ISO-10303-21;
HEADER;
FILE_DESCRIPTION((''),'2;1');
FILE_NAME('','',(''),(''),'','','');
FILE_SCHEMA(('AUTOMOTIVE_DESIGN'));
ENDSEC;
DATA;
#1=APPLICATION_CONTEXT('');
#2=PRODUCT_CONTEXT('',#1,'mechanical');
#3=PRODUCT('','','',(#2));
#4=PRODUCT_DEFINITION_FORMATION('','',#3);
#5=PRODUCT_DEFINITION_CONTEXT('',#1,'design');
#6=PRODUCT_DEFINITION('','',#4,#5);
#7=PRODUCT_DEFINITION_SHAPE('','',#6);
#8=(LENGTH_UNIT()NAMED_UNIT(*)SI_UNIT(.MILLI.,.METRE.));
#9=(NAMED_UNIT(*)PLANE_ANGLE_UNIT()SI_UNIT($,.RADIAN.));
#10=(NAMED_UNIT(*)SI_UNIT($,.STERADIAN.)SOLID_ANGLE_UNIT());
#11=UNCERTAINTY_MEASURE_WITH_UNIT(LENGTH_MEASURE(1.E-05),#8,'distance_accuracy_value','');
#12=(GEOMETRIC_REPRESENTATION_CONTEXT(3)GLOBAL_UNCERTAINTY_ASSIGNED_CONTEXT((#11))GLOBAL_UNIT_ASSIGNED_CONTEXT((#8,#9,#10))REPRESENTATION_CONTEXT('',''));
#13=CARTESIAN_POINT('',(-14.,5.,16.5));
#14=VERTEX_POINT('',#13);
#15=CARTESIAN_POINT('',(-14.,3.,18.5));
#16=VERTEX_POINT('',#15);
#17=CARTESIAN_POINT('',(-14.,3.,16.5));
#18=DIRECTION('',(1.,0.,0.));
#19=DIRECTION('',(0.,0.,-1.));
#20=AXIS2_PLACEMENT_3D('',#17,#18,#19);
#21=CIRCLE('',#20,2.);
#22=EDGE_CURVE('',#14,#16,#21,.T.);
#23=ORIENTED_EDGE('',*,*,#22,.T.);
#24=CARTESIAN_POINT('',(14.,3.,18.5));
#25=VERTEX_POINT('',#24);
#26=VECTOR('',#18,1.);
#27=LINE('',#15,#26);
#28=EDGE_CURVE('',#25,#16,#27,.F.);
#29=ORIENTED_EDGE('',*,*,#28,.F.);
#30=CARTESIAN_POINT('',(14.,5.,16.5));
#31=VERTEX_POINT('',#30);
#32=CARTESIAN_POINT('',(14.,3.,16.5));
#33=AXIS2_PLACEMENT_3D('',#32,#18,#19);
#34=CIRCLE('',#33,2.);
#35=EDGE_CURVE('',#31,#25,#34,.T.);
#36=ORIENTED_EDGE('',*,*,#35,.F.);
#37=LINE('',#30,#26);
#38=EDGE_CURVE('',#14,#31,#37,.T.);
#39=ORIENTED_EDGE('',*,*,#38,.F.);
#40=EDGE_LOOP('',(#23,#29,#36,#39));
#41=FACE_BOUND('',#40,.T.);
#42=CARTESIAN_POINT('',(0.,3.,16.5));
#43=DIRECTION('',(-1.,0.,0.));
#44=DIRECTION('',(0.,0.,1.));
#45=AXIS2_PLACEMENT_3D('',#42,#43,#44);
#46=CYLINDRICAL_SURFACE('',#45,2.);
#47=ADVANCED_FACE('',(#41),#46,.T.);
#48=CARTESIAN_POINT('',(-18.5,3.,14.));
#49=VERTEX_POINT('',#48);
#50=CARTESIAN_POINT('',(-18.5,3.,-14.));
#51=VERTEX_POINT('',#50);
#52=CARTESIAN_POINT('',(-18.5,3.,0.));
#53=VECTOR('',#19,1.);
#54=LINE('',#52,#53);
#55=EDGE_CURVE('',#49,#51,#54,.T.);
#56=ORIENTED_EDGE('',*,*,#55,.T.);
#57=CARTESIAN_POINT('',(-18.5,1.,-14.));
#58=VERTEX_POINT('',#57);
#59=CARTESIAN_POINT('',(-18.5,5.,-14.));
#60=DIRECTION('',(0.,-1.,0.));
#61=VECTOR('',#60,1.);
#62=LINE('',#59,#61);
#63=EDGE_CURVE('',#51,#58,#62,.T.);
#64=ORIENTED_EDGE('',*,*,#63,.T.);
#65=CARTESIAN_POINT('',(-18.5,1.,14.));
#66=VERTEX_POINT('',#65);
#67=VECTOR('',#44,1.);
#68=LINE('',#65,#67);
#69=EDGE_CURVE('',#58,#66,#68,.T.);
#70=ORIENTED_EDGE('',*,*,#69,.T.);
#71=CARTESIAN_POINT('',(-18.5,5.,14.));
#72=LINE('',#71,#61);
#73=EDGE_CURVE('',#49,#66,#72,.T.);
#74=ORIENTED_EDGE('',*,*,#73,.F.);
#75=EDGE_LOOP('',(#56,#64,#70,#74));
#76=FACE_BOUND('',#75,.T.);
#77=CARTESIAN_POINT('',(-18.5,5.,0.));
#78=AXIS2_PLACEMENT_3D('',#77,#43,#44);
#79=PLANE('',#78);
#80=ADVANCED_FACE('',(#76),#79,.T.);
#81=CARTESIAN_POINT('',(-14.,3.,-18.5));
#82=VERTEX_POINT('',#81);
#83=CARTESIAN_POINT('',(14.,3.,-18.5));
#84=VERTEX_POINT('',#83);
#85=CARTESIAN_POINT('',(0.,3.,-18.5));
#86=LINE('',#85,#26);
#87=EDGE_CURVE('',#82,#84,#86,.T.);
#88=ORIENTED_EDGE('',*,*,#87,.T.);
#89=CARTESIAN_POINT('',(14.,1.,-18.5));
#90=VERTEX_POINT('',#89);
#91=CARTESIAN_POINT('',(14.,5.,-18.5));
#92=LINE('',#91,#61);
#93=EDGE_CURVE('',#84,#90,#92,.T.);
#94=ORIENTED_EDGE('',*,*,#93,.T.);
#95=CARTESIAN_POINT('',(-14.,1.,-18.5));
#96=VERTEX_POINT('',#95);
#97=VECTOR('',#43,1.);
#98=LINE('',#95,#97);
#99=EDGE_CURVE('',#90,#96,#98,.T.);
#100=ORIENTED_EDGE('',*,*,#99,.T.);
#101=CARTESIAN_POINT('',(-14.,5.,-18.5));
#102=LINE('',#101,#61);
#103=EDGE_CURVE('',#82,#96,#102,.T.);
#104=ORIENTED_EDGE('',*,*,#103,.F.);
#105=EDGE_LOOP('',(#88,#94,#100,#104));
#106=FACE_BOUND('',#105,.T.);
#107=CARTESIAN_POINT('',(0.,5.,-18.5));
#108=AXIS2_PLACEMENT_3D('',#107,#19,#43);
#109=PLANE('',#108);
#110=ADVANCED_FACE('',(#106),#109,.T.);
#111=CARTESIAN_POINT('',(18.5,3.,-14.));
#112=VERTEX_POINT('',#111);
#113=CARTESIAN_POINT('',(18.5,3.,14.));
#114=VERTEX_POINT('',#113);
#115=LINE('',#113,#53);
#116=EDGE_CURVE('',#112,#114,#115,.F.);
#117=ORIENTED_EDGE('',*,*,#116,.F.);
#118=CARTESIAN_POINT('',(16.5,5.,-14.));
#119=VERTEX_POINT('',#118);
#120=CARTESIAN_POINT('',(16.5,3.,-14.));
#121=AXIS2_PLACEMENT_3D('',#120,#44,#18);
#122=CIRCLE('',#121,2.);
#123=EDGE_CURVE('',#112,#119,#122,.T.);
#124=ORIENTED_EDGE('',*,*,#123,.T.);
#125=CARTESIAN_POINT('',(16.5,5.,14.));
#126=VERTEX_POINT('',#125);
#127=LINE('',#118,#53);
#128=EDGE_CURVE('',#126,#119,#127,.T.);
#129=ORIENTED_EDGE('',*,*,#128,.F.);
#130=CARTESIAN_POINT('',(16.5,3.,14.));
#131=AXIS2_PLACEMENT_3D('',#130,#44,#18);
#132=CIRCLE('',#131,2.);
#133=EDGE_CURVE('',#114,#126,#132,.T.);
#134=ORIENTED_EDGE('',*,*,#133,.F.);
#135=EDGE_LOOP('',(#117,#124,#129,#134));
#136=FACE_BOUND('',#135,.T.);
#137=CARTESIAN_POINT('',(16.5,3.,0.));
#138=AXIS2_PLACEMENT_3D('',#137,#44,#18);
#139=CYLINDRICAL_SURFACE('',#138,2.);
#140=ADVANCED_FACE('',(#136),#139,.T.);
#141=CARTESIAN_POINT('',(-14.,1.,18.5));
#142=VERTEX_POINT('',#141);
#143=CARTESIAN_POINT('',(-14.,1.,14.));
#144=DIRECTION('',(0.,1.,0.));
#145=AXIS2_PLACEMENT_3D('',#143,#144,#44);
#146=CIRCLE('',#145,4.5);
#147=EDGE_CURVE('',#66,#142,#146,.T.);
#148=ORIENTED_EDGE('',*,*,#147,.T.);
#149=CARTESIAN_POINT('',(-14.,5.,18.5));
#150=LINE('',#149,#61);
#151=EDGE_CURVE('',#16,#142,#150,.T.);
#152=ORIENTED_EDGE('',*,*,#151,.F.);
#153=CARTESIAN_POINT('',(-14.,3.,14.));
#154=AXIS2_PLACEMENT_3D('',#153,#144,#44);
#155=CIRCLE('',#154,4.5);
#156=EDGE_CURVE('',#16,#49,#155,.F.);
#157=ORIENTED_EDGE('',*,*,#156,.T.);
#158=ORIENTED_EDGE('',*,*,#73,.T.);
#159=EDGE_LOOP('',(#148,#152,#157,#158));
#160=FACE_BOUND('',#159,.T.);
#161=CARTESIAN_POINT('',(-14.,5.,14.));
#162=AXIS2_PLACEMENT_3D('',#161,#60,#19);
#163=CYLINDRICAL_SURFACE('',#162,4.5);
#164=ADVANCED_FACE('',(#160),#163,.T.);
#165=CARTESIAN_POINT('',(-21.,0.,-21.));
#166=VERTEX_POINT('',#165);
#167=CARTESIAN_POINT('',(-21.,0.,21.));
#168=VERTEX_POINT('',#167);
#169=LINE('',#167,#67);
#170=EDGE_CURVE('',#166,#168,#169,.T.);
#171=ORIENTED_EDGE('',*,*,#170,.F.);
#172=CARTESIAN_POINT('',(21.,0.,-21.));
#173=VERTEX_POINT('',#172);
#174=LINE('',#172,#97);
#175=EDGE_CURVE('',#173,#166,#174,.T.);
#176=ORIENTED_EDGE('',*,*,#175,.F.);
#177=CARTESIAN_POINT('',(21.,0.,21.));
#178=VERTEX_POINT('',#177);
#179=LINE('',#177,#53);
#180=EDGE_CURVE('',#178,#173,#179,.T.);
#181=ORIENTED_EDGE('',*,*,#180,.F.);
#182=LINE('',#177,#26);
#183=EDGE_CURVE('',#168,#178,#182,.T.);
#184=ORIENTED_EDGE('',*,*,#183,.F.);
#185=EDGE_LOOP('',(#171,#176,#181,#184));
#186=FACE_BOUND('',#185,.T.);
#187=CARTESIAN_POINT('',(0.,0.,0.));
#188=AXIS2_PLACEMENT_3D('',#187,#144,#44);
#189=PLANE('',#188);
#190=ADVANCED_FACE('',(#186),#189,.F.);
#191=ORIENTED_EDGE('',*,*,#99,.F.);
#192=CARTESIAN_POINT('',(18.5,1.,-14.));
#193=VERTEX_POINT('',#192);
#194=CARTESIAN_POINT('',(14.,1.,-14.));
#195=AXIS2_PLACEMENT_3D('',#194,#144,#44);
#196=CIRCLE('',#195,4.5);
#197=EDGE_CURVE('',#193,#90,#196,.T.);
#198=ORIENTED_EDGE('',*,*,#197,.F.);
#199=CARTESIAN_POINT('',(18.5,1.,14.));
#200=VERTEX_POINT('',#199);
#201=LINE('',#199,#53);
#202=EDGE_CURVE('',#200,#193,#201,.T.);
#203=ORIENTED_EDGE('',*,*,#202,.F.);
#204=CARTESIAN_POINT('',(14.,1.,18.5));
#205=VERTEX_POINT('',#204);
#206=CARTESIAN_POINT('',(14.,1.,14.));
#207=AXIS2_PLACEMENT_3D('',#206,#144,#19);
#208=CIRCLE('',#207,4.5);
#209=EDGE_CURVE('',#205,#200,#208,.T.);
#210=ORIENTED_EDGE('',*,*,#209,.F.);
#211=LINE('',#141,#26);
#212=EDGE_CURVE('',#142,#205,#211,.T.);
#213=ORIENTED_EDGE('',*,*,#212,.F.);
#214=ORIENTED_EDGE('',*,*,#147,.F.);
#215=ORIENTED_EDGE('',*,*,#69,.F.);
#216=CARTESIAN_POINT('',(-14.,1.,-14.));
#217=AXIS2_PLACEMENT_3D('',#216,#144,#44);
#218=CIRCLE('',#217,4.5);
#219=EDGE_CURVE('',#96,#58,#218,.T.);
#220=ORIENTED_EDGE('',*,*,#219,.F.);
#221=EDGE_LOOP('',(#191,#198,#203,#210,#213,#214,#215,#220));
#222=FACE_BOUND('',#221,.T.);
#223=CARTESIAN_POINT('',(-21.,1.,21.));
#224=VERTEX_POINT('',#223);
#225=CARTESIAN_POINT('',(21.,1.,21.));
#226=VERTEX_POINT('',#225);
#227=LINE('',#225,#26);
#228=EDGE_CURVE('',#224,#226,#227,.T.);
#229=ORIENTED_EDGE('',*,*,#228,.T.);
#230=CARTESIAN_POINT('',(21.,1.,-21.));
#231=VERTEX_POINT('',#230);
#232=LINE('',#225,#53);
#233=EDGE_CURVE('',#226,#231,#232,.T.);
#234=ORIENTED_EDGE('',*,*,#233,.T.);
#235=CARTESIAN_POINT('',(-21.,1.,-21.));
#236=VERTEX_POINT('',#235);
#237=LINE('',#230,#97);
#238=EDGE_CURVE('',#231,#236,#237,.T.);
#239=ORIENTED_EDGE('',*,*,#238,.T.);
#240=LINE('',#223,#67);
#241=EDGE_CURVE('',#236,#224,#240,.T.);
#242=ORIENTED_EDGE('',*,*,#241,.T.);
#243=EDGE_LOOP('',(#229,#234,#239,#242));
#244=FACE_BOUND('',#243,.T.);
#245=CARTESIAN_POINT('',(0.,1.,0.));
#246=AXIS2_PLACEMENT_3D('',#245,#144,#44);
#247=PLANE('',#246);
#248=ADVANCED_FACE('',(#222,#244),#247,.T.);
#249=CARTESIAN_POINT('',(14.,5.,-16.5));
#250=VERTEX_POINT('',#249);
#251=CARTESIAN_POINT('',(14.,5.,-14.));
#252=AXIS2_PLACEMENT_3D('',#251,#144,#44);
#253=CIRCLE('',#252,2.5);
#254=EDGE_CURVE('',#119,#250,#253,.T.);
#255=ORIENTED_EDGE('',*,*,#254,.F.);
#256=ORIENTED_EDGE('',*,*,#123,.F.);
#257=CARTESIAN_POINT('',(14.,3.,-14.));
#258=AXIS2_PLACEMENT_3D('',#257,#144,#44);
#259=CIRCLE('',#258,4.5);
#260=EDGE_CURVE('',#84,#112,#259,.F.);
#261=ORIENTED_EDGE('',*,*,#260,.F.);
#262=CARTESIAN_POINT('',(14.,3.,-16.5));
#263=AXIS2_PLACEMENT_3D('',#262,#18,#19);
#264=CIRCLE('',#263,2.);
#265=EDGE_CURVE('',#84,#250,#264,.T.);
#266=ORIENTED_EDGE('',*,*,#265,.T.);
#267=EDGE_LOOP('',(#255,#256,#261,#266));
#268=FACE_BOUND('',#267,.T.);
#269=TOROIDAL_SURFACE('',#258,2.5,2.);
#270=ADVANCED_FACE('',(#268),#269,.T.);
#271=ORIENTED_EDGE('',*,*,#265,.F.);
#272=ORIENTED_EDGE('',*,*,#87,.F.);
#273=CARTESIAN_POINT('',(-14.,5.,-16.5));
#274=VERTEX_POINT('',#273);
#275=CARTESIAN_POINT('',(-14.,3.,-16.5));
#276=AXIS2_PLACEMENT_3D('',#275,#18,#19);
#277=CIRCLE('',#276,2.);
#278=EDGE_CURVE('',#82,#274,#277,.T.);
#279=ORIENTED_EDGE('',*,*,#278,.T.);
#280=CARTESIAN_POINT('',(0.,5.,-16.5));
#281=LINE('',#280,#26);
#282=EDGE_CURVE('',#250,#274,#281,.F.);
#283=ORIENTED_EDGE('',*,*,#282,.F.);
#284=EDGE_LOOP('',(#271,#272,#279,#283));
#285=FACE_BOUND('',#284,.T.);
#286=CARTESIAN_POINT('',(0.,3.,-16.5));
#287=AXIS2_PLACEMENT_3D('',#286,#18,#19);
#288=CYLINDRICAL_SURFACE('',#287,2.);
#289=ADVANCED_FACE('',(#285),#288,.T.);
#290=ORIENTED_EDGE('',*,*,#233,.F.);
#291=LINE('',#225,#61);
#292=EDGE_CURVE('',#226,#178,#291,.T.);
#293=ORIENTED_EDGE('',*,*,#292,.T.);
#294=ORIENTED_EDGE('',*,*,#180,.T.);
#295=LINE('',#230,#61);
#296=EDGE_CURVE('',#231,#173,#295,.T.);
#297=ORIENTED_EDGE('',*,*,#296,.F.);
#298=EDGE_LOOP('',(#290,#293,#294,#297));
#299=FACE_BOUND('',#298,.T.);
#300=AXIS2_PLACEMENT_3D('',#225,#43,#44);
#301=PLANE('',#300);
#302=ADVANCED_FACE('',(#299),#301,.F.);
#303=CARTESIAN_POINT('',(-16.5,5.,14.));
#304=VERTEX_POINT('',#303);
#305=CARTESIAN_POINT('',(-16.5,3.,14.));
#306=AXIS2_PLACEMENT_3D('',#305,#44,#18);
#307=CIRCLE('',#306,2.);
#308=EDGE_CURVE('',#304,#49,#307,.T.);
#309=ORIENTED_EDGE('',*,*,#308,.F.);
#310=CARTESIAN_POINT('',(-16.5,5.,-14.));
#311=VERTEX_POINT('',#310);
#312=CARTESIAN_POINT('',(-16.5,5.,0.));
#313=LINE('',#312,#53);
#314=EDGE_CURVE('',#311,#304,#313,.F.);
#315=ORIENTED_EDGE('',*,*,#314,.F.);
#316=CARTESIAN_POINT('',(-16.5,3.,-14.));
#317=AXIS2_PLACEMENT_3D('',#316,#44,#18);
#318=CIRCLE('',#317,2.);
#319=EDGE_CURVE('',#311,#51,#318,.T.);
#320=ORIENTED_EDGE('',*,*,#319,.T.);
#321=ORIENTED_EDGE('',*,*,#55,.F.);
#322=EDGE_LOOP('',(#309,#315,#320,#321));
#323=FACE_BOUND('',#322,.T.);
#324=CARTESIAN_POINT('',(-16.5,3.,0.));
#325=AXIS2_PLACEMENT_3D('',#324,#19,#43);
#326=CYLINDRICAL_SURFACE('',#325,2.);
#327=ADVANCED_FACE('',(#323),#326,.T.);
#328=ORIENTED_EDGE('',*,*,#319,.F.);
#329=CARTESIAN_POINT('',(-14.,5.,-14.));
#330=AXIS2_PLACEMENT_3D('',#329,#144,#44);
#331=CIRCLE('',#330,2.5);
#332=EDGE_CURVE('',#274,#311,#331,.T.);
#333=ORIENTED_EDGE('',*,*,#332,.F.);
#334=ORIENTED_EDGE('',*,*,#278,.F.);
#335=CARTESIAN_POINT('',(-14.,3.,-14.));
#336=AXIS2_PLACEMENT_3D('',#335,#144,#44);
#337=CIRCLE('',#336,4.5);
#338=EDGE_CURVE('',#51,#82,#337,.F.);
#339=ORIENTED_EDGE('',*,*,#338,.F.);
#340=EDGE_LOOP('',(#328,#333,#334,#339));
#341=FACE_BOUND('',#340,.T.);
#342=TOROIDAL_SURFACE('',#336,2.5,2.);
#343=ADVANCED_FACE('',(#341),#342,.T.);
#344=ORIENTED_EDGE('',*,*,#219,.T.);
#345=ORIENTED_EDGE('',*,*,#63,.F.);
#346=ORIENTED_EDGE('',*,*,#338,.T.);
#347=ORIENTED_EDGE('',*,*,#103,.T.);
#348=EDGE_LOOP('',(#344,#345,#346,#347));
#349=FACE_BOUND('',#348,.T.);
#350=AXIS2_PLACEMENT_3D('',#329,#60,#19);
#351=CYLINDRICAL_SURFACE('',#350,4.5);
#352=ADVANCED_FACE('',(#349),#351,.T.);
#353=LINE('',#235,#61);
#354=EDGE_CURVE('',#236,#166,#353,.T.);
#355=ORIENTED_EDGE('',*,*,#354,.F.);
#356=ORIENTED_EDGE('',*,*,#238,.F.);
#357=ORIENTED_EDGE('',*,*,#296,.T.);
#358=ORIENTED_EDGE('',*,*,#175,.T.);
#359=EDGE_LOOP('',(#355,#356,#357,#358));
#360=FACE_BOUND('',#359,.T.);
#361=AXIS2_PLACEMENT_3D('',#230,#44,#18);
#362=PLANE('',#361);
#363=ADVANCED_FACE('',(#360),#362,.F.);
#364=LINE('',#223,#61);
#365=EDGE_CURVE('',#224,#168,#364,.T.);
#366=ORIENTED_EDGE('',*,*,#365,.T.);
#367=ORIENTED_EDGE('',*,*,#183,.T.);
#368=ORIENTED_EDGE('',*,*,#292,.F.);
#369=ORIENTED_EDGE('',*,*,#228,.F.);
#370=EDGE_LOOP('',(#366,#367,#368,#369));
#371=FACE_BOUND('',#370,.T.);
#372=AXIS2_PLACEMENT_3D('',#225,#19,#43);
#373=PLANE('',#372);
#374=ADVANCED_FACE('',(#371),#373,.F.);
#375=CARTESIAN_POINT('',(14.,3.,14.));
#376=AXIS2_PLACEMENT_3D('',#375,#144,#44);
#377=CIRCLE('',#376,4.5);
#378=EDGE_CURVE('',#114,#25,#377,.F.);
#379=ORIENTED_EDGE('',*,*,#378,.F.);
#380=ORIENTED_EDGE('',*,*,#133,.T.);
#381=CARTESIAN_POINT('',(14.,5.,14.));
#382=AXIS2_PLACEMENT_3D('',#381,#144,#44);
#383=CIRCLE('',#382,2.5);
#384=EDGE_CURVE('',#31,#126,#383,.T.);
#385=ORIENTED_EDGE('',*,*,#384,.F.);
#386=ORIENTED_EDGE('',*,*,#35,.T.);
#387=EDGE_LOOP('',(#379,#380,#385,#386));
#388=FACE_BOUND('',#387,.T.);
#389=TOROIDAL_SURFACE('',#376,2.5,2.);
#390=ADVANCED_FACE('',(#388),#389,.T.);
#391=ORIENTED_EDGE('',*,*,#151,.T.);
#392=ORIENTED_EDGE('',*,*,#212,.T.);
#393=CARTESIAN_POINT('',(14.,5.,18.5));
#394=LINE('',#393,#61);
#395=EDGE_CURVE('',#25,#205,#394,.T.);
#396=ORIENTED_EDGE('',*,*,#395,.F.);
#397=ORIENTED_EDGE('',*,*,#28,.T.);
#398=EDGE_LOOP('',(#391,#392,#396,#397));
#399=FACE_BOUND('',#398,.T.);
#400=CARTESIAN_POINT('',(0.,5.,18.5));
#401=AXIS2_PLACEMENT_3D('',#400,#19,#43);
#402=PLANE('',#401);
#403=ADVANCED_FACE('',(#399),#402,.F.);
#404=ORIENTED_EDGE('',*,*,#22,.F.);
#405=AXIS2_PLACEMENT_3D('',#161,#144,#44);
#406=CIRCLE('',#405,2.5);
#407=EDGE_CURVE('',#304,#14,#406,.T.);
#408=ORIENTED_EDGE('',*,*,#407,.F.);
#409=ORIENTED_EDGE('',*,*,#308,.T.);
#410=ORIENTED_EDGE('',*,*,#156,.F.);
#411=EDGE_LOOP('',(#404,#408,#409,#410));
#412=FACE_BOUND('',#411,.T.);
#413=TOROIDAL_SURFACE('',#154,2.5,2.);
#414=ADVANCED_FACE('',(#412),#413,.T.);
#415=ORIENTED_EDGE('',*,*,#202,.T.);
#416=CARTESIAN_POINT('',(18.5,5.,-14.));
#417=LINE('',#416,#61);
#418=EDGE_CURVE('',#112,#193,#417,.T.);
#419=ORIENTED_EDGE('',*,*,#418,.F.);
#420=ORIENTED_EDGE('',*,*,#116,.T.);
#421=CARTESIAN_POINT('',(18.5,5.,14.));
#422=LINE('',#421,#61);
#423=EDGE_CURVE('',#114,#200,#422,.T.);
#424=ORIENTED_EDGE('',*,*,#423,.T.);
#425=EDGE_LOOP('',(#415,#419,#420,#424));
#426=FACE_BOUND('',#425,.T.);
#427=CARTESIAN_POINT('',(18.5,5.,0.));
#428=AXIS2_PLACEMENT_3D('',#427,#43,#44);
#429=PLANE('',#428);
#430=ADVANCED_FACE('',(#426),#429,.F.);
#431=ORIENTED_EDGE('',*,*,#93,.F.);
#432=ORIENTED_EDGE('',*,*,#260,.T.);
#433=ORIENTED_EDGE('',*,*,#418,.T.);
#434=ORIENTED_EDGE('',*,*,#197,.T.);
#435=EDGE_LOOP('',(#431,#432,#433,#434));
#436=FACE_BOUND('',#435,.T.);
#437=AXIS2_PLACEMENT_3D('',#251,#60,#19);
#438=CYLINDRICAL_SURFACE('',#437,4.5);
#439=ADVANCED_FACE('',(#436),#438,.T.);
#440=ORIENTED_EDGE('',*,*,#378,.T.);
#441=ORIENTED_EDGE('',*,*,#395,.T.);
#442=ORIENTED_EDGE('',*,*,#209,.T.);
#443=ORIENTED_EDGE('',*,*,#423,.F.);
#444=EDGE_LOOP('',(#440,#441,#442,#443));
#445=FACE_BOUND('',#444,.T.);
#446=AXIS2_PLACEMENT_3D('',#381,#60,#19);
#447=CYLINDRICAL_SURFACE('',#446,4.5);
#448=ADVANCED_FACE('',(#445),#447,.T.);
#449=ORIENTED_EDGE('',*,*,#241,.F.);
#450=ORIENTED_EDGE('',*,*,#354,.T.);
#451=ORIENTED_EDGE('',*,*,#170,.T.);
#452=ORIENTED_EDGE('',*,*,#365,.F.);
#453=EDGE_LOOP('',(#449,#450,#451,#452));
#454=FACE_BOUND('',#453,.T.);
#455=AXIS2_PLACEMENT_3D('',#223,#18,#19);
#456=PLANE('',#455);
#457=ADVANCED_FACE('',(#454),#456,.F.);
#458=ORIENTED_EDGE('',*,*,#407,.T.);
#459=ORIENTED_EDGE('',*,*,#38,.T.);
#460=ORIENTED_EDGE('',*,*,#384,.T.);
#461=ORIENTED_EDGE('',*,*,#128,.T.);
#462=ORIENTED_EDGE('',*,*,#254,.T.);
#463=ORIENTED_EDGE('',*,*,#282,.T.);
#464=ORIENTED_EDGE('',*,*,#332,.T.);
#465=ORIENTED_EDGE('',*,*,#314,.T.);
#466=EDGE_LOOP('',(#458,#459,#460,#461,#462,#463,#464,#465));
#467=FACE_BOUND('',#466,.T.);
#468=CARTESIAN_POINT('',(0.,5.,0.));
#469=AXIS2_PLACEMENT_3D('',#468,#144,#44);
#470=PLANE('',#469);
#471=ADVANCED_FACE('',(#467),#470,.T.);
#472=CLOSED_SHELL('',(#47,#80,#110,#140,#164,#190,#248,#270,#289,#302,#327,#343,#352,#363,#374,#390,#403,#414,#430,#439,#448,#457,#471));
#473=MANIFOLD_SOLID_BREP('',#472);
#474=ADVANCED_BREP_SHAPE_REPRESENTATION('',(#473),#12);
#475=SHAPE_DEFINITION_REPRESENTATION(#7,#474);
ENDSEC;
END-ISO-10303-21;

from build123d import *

# Parameters (mm, degrees)
SKETCH1_W           = 42
SKETCH1_H           = 42
BOSS_EXTRUDE1_DEPTH = 1
BOSS_EXTRUDE2_DEPTH = 5
FILLET1_R           = 2


with BuildPart() as part:
    # Sketch1 → Boss-Extrude1 (new body)
    with BuildSketch(Plane(origin=(0, 0, 0), x_dir=(1, 0, 0), z_dir=(0, 1, 0))):
        Rectangle(SKETCH1_W, SKETCH1_H)
        with BuildLine():
            Line((-14, -18.5), (14, -18.5))
            ThreePointArc((14, -18.5), (17.181980515, -17.181980515), (18.5, -14))
            Line((18.5, -14), (18.5, 14))
            ThreePointArc((18.5, 14), (17.181980515, 17.181980515), (14, 18.5))
            Line((14, 18.5), (-14, 18.5))
            ThreePointArc((-14, 18.5), (-17.181980515, 17.181980515), (-18.5, 14))
            Line((-18.5, 14), (-18.5, -14))
            ThreePointArc((-18.5, -14), (-17.181980515, -17.181980515), (-14, -18.5))
        make_face(mode=Mode.SUBTRACT)
    extrude(amount=BOSS_EXTRUDE1_DEPTH)

    # Sketch1<2> → Boss-Extrude2 (add)
    with BuildSketch(Plane(origin=(0, 0, 0), x_dir=(1, 0, 0), z_dir=(0, 1, 0))):
        with BuildLine():
            Line((18.5, -14), (18.5, 14))
            ThreePointArc((18.5, 14), (17.181980515, 17.181980515), (14, 18.5))
            Line((14, 18.5), (-14, 18.5))
            ThreePointArc((-14, 18.5), (-17.181980515, 17.181980515), (-18.5, 14))
            Line((-18.5, 14), (-18.5, -14))
            ThreePointArc((-18.5, -14), (-17.181980515, -17.181980515), (-14, -18.5))
            Line((-14, -18.5), (14, -18.5))
            ThreePointArc((14, -18.5), (17.181980515, -17.181980515), (18.5, -14))
        make_face()
    extrude(amount=BOSS_EXTRUDE2_DEPTH)

    # Fillet1
    fillet1_edges = [part.edges().sort_by_distance(p)[0] for p in [
        (0, 5, -18.5),
        (-18.5, 5, 0),
        (17.181980515, 5, 17.181980515),
        (18.5, 5, 0),
        (17.181980515, 5, -17.181980515),
        (-17.181980515, 5, -17.181980515),
        (-17.181980515, 5, 17.181980515),
        (0, 5, 18.5),
    ]]
    fillet(fillet1_edges, radius=FILLET1_R)


solid = part.part
